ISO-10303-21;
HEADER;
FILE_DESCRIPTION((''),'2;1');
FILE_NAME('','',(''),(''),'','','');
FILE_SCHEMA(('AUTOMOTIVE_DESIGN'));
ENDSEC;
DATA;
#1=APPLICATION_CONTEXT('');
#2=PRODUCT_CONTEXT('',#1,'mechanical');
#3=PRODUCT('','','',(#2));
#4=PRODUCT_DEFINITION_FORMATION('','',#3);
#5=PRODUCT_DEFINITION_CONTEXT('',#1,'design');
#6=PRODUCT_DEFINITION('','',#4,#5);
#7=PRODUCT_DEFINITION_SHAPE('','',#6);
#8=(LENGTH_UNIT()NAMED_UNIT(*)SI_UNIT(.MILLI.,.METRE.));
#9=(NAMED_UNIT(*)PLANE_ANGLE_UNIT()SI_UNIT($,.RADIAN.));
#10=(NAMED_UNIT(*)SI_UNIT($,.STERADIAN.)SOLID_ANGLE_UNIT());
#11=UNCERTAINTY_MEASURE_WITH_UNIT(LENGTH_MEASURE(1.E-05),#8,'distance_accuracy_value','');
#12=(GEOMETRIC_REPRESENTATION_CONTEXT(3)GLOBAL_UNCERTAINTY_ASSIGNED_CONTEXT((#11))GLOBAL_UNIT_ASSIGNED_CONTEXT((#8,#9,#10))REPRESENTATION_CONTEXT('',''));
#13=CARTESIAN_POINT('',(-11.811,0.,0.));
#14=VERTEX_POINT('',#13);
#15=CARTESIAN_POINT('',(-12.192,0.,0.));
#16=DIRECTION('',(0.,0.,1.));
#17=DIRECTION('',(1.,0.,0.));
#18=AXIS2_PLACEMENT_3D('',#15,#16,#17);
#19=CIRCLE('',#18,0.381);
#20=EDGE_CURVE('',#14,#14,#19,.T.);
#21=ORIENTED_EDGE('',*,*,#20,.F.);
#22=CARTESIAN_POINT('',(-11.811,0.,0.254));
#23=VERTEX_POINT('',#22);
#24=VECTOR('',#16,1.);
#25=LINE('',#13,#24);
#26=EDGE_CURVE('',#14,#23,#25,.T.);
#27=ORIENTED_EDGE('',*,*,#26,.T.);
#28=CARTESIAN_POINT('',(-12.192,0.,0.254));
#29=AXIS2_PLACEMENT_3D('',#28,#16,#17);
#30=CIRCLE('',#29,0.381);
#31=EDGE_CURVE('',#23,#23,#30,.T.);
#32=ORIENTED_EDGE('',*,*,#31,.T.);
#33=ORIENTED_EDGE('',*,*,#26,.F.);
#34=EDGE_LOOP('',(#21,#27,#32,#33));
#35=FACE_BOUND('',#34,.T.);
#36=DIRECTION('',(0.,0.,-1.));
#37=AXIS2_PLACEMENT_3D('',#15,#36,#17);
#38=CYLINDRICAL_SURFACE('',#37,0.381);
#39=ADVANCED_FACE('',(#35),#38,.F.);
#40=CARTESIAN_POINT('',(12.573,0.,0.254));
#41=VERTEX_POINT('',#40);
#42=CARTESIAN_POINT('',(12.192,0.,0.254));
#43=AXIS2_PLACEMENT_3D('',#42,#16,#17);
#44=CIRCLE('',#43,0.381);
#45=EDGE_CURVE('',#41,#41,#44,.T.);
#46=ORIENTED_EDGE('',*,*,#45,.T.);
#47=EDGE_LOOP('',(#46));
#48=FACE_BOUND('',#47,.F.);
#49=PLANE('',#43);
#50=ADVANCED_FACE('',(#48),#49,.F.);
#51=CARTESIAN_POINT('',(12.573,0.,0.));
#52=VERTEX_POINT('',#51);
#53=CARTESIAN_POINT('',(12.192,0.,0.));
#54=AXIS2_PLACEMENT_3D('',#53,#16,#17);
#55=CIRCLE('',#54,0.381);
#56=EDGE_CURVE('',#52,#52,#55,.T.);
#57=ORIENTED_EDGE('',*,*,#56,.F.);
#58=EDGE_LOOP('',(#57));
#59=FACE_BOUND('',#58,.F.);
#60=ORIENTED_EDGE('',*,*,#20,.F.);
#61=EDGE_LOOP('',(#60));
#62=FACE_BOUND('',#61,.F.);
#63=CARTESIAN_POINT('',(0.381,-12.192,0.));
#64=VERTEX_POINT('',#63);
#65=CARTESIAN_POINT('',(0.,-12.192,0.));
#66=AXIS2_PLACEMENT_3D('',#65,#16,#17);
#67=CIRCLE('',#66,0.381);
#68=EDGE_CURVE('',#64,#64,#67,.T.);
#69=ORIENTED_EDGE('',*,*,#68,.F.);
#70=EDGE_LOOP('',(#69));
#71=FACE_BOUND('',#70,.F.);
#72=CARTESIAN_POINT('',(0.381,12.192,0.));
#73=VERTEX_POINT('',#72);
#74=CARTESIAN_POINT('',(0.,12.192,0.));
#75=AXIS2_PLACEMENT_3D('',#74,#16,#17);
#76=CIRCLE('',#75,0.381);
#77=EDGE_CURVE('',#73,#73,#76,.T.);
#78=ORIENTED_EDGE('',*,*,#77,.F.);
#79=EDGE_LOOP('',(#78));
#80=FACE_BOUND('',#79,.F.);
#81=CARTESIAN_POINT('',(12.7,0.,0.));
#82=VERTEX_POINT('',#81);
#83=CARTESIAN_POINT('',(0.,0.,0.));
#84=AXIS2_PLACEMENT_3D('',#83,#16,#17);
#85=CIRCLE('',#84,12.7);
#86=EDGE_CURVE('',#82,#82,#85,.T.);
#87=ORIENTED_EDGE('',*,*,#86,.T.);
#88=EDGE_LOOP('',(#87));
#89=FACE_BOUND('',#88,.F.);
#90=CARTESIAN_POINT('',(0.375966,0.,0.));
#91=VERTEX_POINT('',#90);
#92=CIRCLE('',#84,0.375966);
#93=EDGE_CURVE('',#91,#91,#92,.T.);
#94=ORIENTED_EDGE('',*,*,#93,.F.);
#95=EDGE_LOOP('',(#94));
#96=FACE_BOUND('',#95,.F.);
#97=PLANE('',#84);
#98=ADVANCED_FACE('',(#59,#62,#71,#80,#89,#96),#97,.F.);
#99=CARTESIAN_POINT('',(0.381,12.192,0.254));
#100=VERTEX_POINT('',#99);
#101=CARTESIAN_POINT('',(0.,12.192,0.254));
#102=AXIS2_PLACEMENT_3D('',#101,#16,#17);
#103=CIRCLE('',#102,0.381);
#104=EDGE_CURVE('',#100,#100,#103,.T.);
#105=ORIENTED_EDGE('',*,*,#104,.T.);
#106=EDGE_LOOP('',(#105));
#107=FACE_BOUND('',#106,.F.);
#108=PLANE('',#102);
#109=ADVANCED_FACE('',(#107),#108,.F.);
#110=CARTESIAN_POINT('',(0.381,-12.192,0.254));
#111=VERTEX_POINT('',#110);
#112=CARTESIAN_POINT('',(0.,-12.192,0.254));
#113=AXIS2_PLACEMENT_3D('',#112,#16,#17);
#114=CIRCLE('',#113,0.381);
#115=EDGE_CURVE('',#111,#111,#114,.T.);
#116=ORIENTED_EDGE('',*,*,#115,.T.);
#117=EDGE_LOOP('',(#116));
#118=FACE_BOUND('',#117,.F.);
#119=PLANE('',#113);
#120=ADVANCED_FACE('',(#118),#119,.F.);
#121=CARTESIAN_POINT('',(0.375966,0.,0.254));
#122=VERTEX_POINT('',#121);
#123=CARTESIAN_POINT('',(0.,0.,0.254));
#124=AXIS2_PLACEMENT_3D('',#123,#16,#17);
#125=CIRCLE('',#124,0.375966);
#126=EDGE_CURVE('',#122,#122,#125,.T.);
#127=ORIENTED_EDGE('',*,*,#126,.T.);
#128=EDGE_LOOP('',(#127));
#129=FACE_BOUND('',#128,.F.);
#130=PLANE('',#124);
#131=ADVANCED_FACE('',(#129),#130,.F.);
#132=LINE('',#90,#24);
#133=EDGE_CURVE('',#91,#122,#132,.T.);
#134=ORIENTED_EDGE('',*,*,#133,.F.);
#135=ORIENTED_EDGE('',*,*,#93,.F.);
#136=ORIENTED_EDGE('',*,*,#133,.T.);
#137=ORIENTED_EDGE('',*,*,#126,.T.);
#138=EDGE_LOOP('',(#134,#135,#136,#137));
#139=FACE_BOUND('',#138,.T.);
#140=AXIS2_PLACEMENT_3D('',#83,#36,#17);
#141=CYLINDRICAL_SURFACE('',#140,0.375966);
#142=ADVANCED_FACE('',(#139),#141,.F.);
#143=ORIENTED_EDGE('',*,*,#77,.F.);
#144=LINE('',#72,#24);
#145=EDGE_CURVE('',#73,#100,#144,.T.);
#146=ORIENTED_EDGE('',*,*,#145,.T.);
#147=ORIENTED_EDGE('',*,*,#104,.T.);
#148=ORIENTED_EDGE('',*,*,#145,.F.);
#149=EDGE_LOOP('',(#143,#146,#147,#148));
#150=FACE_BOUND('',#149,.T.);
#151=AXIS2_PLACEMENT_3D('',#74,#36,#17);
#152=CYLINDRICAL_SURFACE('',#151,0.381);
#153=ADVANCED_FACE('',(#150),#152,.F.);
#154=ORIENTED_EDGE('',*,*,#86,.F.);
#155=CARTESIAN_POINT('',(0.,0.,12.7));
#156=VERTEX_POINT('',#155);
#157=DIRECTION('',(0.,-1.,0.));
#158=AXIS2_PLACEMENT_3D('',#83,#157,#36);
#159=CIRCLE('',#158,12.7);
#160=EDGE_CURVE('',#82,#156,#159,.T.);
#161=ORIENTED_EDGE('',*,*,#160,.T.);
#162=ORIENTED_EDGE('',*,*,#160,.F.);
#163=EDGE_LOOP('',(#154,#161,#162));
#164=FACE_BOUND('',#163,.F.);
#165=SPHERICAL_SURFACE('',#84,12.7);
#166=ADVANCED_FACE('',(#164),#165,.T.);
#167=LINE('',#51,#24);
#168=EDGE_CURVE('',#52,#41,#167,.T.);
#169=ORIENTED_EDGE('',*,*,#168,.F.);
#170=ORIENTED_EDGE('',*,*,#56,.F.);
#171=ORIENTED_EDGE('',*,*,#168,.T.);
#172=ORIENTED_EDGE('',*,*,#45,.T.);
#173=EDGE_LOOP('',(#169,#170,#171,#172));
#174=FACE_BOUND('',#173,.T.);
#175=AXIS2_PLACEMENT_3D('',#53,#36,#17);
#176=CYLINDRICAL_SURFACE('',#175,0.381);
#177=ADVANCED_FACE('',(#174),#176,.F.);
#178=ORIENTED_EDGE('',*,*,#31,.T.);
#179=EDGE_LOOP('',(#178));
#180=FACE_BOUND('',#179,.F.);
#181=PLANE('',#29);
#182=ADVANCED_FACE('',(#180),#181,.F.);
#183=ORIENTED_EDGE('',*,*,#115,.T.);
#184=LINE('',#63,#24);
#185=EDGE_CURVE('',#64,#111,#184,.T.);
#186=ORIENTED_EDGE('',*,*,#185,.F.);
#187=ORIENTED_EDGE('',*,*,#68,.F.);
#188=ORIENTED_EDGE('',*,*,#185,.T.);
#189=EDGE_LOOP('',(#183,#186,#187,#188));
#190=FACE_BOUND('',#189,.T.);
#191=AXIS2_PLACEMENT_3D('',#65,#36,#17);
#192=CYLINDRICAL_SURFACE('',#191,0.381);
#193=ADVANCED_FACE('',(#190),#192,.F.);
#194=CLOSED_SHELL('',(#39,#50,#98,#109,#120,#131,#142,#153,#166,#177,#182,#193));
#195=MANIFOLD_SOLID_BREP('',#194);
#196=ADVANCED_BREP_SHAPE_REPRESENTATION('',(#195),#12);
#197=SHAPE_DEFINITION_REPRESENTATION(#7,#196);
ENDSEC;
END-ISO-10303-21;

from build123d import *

# Parameters (mm, degrees)
F3_W     = 29.70758
F3_H     = 25.697972
F4_DEPTH = 25.4
F5_R     = 0.375966
F6_DEPTH = 0.254
F5_R_2   = 0.381
F7_DEPTH = 0.254


with BuildPart() as f1:
    # F0 (on Front) → F1 (revolve)
    with BuildSketch(Plane.XZ):
        with BuildLine():
            Line((0, 12.7), (0, -12.7))
            ThreePointArc((0, -12.7), (12.7, 0), (0, 12.7))
        make_face()
    revolve(axis=Axis((0, 0, 0), (0, 0, -1)))

    # F3 (on offset) → F4 (cut)
    with BuildSketch(Plane.XY):
        Rectangle(F3_W, F3_H)
    extrude(amount=-F4_DEPTH, mode=Mode.SUBTRACT)

    # F5 (on Top) → F6 (cut)
    with BuildSketch(Plane.XY):
        Circle(F5_R)
    extrude(amount=F6_DEPTH, mode=Mode.SUBTRACT)

    # F5 (on Top) → F7 (cut)
    with BuildSketch(Plane.XY):
        Circle(F5_R)
        with Locations((0, -12.192)):
            Circle(F5_R_2)
        with Locations((0, 12.192)):
            Circle(F5_R_2)
        with Locations((12.192, 0)):
            Circle(F5_R_2)
        with Locations((-12.192, 0)):
            Circle(F5_R_2)
    extrude(amount=F7_DEPTH, mode=Mode.SUBTRACT)


solid = f1.part
